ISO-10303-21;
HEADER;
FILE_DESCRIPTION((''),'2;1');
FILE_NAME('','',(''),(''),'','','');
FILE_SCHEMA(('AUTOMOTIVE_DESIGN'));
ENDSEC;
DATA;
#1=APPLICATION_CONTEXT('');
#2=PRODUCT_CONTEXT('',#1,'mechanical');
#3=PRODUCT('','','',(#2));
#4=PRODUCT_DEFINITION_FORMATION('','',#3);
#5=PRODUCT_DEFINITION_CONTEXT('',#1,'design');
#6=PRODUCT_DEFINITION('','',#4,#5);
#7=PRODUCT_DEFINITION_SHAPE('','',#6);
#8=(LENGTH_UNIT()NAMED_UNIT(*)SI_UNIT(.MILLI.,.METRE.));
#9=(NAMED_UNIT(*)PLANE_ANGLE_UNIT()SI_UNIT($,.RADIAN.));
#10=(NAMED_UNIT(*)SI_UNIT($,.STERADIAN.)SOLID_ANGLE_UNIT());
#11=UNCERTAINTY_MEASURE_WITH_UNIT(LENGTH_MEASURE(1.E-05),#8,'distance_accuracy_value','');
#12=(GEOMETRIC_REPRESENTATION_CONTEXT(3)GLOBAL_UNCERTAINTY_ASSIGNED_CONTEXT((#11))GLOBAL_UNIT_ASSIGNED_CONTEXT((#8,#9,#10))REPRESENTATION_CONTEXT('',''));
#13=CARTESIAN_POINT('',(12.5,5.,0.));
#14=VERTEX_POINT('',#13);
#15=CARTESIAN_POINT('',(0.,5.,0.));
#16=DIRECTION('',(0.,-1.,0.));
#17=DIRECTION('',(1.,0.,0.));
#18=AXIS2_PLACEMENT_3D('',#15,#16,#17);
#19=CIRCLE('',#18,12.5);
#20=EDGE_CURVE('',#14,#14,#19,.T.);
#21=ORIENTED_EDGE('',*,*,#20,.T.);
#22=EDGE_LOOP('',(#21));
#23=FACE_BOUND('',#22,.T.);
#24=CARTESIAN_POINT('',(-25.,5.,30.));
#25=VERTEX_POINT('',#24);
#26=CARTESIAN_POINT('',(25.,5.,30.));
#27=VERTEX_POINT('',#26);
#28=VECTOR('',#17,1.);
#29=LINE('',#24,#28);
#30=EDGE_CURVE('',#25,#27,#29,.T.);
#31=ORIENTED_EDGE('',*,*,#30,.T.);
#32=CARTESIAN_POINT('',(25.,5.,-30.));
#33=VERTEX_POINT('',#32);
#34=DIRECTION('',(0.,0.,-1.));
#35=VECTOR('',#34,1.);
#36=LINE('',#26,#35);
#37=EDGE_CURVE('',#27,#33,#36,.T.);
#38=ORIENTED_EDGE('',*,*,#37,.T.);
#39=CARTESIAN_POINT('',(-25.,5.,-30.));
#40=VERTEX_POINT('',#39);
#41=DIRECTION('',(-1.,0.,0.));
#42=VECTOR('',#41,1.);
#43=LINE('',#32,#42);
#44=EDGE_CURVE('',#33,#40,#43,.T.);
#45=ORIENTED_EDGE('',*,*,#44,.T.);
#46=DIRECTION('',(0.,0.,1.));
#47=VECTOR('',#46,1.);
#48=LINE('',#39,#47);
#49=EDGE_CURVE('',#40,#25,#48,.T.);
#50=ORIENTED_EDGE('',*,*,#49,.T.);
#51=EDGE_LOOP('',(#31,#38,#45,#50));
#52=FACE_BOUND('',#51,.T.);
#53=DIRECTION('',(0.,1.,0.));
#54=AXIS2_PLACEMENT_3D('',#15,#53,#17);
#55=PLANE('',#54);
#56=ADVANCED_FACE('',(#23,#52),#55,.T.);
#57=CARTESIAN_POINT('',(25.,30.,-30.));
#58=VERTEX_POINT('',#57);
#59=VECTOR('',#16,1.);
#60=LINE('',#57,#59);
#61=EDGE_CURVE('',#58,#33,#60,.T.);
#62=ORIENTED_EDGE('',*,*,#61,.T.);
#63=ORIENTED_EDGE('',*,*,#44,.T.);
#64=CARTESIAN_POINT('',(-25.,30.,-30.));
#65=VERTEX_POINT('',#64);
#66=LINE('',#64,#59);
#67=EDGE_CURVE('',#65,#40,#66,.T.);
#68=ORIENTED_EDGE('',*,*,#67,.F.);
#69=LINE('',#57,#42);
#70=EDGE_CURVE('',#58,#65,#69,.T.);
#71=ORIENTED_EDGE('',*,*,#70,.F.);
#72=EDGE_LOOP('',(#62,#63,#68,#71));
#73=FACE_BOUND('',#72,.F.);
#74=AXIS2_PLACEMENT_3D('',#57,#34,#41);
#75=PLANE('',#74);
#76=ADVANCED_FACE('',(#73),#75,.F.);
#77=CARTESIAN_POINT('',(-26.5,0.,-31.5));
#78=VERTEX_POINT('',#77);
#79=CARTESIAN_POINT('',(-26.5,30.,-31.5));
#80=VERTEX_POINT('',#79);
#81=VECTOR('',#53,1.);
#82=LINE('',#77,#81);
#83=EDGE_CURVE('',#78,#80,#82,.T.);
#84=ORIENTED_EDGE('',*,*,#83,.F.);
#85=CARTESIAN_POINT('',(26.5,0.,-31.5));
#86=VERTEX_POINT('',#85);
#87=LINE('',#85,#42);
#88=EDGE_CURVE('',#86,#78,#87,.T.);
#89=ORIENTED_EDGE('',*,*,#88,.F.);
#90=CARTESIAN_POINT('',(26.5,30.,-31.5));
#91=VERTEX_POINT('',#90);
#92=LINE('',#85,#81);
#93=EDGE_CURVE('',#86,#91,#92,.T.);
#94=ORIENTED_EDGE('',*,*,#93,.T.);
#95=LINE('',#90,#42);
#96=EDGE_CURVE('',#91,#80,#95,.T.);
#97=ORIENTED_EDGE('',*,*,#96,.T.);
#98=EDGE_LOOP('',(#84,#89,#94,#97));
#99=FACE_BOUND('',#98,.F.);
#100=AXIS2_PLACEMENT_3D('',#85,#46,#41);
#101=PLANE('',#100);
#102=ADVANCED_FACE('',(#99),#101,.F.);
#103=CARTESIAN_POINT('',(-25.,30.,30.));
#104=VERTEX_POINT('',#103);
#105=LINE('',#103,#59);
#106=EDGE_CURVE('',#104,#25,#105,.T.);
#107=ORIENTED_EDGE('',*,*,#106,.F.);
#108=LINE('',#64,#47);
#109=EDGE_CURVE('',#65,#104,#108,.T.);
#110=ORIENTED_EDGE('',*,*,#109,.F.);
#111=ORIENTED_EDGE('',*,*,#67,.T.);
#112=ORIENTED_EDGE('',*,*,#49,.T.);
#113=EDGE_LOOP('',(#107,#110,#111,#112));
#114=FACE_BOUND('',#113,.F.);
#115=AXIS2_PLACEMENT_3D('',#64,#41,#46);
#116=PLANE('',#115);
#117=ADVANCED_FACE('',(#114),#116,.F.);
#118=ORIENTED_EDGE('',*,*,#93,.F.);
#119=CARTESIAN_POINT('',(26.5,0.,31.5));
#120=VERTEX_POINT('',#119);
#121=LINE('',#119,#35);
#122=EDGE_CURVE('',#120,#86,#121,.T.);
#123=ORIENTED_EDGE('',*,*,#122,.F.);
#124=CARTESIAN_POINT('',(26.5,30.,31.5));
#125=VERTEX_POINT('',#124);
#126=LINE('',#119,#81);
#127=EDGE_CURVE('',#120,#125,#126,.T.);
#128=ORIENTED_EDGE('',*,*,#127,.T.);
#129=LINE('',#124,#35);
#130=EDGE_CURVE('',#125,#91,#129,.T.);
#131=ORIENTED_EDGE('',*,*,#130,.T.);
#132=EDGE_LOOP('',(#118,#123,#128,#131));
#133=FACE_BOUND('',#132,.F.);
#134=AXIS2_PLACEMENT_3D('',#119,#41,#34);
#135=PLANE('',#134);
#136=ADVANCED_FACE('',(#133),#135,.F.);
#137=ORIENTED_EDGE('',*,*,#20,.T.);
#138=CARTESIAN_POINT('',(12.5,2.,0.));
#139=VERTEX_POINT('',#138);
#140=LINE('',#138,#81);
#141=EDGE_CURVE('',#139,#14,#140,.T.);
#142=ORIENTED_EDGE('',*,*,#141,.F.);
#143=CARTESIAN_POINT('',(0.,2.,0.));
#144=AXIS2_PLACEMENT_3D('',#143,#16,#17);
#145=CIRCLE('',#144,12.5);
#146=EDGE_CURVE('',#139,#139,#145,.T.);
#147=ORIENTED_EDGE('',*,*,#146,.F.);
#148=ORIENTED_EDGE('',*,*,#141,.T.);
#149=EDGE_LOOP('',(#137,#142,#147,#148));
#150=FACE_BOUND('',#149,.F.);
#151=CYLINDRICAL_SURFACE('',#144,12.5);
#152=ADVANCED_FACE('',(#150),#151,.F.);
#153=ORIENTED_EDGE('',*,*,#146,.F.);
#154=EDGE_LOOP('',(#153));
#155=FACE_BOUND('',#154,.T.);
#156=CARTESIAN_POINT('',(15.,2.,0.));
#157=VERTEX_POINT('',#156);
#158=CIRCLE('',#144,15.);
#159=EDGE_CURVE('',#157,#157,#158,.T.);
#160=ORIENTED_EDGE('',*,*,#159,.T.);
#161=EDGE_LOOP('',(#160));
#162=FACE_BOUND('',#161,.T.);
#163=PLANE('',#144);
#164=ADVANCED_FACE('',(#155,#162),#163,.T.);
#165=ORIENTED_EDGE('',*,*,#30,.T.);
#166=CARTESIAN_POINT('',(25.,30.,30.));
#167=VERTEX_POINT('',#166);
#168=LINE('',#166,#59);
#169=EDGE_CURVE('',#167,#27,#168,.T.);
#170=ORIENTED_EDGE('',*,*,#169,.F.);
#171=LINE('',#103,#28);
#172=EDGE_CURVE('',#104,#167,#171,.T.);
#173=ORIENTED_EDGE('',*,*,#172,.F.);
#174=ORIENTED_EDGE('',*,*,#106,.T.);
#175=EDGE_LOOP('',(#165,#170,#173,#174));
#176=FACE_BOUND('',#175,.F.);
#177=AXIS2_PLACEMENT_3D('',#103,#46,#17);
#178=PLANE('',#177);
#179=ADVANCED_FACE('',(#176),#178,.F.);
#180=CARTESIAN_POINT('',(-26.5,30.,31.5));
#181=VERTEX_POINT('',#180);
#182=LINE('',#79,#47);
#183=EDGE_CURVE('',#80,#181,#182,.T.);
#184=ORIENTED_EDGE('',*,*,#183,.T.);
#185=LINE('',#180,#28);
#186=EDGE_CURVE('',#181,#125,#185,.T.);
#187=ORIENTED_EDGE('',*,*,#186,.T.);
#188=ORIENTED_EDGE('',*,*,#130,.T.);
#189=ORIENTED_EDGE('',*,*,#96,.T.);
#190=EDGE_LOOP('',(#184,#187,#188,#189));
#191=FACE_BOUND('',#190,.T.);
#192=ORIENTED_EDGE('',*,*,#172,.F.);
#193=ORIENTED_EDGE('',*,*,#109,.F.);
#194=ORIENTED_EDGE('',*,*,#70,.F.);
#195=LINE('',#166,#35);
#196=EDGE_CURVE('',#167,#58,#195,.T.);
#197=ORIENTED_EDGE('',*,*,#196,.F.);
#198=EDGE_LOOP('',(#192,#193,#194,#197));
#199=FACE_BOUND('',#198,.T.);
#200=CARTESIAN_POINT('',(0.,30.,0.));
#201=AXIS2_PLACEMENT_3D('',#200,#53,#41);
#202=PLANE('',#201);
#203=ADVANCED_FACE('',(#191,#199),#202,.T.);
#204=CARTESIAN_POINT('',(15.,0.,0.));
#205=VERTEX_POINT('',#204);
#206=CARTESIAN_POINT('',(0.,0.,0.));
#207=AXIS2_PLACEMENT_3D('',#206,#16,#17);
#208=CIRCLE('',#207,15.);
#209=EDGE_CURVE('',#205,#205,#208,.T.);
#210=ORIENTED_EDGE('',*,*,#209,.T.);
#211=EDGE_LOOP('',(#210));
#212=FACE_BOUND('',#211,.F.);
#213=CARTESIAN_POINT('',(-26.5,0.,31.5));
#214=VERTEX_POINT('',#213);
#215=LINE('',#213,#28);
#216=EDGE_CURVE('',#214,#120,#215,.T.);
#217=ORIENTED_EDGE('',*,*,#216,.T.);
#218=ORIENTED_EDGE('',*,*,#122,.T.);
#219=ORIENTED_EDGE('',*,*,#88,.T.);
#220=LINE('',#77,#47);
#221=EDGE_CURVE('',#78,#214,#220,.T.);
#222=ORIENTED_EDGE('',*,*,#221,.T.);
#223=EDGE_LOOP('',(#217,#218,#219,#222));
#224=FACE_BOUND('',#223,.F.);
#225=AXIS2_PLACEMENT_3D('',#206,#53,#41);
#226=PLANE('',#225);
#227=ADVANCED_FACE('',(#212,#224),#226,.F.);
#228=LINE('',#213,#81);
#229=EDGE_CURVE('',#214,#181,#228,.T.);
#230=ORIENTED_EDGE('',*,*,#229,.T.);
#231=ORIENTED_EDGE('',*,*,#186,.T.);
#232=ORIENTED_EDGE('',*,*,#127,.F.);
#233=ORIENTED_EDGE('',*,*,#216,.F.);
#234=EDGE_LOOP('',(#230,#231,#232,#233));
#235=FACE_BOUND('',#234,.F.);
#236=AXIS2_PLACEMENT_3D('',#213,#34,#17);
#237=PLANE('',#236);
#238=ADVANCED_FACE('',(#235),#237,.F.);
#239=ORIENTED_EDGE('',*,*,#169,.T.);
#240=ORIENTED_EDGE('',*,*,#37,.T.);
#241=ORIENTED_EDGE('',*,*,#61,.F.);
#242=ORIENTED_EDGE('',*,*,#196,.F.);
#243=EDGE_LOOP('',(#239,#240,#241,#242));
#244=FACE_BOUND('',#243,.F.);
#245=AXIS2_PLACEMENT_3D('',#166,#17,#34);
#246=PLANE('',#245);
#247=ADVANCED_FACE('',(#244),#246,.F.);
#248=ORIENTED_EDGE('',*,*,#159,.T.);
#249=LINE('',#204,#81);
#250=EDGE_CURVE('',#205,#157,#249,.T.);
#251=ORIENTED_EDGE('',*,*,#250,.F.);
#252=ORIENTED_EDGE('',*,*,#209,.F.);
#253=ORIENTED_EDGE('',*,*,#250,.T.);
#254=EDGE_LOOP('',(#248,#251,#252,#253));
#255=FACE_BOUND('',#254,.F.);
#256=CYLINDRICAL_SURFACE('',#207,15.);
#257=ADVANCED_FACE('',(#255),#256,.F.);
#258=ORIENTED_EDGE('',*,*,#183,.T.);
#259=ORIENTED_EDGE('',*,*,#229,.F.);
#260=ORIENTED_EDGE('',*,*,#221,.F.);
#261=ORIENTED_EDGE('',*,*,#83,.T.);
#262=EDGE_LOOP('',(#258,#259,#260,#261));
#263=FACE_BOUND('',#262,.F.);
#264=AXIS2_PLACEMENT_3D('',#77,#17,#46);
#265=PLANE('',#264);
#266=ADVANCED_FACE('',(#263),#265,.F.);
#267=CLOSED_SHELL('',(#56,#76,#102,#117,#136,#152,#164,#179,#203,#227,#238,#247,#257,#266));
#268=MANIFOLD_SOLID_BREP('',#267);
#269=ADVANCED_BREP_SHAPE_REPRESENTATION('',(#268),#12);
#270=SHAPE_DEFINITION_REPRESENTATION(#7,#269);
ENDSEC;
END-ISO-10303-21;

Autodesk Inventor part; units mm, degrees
ref_plane "YZ Plane" through (0, 0, 0) normal (1, 0, 0) x (0, 1, 0)
ref_plane "XZ Plane" through (0, 0, 0) normal (0, 1, 0) x (-1, 0, 0)
ref_plane "XY Plane" through (0, 0, 0) normal (0, 0, 1) x (1, 0, 0)
sketch "Sketch1" plane through (0, 0, 0) normal (0, 1, 0) x (-1, 0, 0)
  line L0 (26.5, 31.5) -> (-26.5, 31.5)
  line L1 (-26.5, 31.5) -> (-26.5, -31.5)
  line L2 (-26.5, -31.5) -> (26.5, -31.5)
  line L3 (26.5, -31.5) -> (26.5, 31.5)
  line L4 (26.5, 31.5) -> (-26.5, -31.5) construction
  line L5 (-26.5, 31.5) -> (26.5, -31.5) construction
  point P0 (0, 0)
  dimension "d0" = 53
  dimension "d1" = 63
extrude "Extrusion1" add sketch "Sketch1" along normal blind 30
sketch "Sketch2" plane through (0, 30, 0) normal (0, 1, 0) x (1, 0, 0)
  line L0 (-25, -30) -> (25, -30)
  line L1 (25, -30) -> (25, 30)
  line L2 (25, 30) -> (-25, 30)
  line L3 (-25, 30) -> (-25, -30)
  line L4 (-25, -30) -> (25, 30) construction
  line L5 (25, -30) -> (-25, 30) construction
  point P0 (0, 0)
  dimension "d4" = 50
  dimension "d5" = 60
extrude "Extrusion2" cut sketch "Sketch2" against normal blind 25
sketch "Sketch3" plane through (0, 0, 0) normal (0, -1, 0) x (1, 0, 0)
  line L0 (26.5, -31.5) -> (-26.5, -31.5) projected
  circle A0 centre (0, 0) radius 15
  dimension "d10" = 30
extrude "Extrusion3" cut sketch "Sketch3" against normal blind 2
sketch "Sketch4" plane through (0, 2, 0) normal (0, -1, 0) x (1, 0, 0)
  circle A0 centre (0, 0) radius 12.5
  dimension "d13" = 25
extrude "Extrusion4" cut sketch "Sketch4" against normal up to next
properties part number "cover"
